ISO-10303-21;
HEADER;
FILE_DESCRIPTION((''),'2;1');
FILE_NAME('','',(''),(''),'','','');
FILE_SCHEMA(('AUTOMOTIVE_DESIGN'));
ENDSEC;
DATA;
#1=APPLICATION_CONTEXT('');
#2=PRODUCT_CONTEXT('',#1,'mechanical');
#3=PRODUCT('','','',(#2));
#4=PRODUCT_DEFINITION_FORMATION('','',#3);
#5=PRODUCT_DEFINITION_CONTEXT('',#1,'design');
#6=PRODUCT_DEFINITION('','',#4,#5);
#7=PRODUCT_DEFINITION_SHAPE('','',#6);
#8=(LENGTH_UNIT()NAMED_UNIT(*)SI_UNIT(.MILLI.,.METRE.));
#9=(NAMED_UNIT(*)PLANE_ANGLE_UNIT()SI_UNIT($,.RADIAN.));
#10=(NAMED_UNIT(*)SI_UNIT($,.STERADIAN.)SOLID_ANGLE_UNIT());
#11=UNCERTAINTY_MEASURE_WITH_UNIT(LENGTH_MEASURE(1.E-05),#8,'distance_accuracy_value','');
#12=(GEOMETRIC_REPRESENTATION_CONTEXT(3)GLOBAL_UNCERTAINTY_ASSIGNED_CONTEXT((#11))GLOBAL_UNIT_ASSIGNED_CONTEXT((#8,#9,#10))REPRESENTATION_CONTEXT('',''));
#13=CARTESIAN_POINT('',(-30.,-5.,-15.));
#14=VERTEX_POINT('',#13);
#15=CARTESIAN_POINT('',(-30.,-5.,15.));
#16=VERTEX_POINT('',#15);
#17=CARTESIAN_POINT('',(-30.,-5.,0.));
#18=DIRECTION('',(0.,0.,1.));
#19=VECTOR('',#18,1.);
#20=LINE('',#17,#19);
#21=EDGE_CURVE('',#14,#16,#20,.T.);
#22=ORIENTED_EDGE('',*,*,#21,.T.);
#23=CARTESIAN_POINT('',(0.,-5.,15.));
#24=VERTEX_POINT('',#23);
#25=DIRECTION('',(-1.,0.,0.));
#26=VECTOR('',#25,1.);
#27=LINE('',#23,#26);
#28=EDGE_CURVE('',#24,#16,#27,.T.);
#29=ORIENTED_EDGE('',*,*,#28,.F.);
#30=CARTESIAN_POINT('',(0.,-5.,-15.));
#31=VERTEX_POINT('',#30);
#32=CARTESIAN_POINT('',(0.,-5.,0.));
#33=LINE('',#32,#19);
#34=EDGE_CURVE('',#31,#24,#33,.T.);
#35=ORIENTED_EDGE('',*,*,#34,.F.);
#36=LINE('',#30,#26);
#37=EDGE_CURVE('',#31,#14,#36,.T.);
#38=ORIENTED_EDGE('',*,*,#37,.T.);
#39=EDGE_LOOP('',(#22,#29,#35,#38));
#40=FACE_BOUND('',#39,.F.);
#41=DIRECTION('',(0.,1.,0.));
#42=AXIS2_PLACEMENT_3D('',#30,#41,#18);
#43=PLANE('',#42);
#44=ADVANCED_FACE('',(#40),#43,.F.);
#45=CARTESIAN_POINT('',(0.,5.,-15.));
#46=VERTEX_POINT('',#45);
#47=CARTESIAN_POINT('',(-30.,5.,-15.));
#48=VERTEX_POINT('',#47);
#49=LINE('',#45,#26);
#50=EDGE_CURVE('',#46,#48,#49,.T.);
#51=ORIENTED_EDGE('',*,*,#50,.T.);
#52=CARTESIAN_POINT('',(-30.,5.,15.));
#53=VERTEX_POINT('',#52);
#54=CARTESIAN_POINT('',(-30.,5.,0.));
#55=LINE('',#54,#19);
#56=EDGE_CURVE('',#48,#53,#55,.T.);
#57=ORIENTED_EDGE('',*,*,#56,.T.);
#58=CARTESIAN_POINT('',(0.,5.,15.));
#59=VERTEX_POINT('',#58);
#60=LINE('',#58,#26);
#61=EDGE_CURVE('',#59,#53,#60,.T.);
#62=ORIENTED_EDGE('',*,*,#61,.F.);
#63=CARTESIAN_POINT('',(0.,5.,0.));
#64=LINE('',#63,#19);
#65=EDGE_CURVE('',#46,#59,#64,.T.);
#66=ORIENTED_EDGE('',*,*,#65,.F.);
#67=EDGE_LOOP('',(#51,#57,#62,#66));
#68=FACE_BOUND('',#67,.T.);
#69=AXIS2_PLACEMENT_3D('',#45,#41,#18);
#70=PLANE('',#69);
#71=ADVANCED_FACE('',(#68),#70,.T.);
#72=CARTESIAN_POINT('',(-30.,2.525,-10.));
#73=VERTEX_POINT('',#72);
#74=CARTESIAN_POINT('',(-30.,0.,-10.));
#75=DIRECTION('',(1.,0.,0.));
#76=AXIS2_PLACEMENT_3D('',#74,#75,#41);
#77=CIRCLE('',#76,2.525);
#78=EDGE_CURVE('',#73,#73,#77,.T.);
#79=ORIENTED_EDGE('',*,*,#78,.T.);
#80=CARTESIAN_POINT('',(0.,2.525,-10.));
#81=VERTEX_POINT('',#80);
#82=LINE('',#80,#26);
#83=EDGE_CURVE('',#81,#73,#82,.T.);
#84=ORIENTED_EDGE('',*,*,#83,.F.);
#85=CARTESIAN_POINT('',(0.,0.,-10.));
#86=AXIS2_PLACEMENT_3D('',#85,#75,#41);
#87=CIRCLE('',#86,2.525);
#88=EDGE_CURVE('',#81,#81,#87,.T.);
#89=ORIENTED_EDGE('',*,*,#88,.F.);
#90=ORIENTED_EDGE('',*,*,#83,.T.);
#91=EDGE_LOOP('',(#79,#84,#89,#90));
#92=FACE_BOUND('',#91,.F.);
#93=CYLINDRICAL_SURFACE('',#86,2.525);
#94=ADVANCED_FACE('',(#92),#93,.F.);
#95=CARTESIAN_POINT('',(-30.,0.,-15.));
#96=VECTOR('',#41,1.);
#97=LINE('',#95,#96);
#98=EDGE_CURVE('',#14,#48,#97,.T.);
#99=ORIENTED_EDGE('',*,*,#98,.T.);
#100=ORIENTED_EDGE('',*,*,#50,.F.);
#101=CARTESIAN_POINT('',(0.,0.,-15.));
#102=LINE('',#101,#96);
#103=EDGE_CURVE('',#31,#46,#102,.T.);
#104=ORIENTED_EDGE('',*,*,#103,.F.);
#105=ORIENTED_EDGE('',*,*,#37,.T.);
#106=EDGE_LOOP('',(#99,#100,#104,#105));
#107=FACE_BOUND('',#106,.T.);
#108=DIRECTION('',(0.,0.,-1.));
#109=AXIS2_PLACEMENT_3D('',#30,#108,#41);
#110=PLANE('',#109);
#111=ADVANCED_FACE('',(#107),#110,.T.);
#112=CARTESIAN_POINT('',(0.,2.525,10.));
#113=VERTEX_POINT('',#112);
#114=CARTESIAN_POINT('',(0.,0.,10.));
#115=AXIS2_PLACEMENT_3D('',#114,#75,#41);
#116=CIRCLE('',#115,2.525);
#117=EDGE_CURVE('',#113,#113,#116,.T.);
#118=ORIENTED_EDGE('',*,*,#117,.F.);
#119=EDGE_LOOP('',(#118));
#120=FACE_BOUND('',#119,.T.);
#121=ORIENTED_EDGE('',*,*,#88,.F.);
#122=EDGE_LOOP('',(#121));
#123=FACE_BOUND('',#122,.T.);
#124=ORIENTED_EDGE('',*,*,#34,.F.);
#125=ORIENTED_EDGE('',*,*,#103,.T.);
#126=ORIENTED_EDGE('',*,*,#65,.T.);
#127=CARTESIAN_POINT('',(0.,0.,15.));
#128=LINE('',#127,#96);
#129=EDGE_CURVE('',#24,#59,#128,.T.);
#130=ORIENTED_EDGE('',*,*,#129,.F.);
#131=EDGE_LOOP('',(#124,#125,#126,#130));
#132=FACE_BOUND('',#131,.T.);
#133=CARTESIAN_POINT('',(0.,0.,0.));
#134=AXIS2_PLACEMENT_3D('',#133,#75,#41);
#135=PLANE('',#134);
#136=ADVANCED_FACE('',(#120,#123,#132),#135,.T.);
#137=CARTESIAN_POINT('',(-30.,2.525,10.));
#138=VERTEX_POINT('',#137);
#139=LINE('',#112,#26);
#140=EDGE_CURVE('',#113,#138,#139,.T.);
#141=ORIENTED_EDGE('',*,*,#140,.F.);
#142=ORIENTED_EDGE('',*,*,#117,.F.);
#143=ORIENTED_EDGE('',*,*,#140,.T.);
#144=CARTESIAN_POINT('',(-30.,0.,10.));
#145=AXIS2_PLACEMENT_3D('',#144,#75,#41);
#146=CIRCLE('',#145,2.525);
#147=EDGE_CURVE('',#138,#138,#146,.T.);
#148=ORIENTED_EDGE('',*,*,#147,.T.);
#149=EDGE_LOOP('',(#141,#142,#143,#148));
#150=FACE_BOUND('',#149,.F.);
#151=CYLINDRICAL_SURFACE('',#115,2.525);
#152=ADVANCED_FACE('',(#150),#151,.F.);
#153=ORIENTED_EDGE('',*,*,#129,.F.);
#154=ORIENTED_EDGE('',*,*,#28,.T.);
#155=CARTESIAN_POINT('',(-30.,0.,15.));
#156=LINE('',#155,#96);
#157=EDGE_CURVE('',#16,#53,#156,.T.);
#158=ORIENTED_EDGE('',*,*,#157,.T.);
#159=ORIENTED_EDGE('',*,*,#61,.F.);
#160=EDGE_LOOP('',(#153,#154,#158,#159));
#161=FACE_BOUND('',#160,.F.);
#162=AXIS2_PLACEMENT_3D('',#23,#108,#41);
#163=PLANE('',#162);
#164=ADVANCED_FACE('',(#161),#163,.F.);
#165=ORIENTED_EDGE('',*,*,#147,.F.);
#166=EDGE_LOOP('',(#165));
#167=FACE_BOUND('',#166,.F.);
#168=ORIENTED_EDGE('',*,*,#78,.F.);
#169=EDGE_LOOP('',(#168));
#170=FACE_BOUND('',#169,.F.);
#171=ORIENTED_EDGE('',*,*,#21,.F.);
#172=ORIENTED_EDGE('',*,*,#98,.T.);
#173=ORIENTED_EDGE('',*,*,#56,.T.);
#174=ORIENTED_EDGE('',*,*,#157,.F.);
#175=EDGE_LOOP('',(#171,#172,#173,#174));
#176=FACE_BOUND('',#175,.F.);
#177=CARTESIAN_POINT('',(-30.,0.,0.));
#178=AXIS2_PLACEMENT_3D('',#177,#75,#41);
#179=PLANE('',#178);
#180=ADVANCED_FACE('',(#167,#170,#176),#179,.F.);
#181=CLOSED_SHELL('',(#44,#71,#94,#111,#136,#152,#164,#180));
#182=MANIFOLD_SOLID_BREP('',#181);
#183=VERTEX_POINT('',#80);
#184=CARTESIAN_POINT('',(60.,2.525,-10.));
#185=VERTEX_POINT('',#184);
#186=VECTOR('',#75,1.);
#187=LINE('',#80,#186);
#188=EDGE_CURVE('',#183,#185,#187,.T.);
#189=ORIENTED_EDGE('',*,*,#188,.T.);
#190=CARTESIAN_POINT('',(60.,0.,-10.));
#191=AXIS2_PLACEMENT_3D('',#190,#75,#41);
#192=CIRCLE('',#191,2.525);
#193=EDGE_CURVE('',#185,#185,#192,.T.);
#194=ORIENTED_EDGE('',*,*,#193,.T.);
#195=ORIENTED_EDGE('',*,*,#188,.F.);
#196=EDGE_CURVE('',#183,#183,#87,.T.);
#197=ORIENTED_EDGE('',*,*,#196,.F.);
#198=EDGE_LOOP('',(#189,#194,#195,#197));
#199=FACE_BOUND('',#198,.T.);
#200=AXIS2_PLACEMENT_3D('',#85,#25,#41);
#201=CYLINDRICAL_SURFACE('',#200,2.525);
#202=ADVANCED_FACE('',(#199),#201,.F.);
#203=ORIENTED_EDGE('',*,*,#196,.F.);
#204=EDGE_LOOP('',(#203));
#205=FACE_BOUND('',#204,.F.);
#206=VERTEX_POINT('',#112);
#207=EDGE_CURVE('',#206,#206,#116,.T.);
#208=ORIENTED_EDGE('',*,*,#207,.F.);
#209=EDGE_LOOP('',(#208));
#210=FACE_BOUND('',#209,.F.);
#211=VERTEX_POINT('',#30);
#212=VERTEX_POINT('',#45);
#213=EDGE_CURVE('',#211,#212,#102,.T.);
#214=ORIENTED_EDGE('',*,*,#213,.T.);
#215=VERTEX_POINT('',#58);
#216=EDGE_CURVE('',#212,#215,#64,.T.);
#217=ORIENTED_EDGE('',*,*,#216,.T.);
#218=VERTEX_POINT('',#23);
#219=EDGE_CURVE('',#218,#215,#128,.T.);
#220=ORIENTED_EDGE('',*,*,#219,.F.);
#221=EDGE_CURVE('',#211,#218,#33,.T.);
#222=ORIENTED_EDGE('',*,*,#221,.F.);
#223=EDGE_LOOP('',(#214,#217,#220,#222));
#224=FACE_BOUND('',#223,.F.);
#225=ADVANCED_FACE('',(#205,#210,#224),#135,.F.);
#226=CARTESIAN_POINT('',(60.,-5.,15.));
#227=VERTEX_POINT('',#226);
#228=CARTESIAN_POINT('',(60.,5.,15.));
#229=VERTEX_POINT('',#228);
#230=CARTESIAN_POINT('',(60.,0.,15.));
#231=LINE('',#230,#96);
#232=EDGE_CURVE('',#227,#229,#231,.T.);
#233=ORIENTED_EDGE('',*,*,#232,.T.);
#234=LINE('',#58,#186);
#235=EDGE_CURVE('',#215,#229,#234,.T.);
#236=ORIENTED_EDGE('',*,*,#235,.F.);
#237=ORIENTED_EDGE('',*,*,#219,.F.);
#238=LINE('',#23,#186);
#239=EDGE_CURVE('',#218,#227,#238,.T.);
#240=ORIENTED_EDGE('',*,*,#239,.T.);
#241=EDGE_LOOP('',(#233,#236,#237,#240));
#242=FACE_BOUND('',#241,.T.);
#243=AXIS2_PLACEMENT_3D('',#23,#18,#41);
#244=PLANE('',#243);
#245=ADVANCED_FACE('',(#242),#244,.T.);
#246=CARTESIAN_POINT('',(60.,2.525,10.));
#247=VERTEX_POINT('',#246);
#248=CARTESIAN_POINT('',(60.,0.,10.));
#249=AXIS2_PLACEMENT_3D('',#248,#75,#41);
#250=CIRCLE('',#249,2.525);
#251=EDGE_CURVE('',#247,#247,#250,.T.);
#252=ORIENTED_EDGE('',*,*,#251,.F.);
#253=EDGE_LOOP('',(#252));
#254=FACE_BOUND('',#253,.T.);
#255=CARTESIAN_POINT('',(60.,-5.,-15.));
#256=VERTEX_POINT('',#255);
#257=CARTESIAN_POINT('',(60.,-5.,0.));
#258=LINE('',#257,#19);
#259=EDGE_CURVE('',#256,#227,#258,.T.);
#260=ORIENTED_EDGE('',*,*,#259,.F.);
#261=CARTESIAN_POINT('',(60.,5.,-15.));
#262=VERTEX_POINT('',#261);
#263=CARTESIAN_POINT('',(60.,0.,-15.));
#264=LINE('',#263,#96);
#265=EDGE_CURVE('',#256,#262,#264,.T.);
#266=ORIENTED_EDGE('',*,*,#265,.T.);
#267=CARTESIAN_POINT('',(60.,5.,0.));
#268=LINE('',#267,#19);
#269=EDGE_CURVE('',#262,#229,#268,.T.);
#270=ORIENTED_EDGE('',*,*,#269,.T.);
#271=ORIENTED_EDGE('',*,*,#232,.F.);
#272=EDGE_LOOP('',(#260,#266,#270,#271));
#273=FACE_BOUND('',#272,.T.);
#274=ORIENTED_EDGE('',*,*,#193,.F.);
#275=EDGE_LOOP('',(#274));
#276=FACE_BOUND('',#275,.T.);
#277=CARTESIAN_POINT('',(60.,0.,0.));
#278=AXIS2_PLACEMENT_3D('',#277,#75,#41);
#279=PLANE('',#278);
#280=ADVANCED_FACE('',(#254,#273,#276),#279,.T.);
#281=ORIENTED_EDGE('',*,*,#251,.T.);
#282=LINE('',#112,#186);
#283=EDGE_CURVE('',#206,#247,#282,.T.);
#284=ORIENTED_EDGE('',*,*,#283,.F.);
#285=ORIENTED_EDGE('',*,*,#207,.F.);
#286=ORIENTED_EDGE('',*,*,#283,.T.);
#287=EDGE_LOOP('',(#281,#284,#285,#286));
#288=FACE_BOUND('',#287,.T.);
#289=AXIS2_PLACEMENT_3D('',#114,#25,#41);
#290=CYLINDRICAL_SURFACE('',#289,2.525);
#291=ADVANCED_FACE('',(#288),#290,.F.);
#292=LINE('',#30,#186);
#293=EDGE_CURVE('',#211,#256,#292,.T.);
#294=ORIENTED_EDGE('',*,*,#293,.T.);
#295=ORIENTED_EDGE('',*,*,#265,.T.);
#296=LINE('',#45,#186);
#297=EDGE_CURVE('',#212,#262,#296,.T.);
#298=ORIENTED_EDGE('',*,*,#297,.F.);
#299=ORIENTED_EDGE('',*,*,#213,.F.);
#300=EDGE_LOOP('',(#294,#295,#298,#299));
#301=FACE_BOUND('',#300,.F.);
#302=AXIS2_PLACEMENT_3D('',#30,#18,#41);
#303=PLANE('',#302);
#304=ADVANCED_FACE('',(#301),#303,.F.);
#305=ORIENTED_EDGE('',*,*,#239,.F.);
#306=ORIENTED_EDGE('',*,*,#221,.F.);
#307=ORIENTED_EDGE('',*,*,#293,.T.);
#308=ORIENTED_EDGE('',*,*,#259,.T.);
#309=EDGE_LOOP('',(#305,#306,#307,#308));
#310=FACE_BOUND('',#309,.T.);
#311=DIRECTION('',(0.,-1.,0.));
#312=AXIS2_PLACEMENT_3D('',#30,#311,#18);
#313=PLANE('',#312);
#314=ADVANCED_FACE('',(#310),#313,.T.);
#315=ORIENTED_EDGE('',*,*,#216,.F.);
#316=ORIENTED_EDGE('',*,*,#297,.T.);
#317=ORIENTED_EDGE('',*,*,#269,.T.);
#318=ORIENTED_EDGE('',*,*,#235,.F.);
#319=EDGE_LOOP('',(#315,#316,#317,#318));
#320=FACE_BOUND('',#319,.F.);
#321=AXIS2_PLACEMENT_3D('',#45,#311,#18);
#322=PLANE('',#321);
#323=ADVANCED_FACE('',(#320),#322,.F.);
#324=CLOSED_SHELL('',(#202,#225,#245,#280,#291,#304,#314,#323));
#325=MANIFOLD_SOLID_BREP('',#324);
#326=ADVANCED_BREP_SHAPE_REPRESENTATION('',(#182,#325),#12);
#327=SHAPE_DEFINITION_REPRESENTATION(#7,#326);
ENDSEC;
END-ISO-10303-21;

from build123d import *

# Parameters (mm, degrees)
F0_W     = 10
F0_H     = 30
F0_R     = 2.525
F1_DEPTH = 60
F2_W     = 10
F2_H     = 30
F2_R     = 2.525
F3_DEPTH = 30


with BuildPart() as f1:
    # F0 (on Right) → F1 (new body)
    with BuildSketch(Plane.YZ):
        Rectangle(F0_W, F0_H)
        with Locations((0, -10)):
            Circle(F0_R, mode=Mode.SUBTRACT)
        with Locations((0, 10)):
            Circle(F0_R, mode=Mode.SUBTRACT)
    extrude(amount=F1_DEPTH)


with BuildPart() as f3:
    # F2 (on Right) → F3 (new body)
    with BuildSketch(Plane.YZ):
        Rectangle(F2_W, F2_H)
        with Locations((0, -10)):
            Circle(F2_R, mode=Mode.SUBTRACT)
        with Locations((0, 10)):
            Circle(F2_R, mode=Mode.SUBTRACT)
    extrude(amount=-F3_DEPTH)


solid = Compound([f1.part, f3.part])
